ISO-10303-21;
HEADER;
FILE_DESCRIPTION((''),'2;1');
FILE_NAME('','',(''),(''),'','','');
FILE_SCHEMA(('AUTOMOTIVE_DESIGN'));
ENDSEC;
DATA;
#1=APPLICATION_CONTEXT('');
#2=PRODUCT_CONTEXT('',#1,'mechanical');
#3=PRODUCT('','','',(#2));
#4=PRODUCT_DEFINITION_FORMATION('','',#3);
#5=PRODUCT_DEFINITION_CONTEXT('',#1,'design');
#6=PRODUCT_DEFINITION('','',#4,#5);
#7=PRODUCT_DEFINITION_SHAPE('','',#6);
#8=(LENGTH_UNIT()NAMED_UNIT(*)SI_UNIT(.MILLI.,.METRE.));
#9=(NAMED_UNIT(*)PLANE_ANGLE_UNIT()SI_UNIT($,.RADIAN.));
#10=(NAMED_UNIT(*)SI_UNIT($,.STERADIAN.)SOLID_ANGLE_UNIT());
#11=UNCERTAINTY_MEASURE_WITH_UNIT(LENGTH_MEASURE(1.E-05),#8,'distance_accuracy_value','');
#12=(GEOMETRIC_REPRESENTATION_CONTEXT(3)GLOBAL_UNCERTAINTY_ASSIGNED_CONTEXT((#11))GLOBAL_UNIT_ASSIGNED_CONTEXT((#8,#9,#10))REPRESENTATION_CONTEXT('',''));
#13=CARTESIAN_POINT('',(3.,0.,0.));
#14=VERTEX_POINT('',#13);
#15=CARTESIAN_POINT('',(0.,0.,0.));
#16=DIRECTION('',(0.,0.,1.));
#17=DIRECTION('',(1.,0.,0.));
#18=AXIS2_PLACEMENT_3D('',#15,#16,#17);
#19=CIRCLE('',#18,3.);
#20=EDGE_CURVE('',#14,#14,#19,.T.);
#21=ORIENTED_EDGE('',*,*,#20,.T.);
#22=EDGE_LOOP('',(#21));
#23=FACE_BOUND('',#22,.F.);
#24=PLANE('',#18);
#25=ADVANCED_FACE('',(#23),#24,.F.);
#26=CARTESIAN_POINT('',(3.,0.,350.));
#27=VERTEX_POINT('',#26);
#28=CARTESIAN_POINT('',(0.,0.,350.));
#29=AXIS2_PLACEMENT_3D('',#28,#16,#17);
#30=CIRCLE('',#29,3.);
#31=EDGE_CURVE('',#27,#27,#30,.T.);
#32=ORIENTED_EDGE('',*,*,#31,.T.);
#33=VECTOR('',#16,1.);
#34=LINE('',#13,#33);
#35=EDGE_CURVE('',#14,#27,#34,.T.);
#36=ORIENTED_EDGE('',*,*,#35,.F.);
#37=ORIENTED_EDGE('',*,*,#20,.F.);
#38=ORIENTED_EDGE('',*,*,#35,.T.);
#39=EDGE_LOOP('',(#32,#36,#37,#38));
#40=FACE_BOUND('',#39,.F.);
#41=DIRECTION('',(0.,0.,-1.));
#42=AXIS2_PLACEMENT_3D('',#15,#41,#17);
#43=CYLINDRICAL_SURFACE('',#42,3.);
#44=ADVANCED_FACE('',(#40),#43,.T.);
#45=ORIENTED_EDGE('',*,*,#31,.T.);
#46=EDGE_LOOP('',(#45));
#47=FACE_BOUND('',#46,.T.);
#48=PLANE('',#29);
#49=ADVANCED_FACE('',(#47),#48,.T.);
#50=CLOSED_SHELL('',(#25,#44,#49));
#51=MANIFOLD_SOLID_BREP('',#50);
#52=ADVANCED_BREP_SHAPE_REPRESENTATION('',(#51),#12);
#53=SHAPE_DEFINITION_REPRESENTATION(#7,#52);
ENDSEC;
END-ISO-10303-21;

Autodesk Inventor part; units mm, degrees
ref_plane "YZ Plane" through (0, 0, 0) normal (1, 0, 0) x (0, 1, 0)
ref_plane "XZ Plane" through (0, 0, 0) normal (0, 1, 0) x (-1, 0, 0)
ref_plane "XY Plane" through (0, 0, 0) normal (0, 0, 1) x (1, 0, 0)
sketch "Sketch1" plane through (0, 0, 0) normal (0, 0, 1) x (1, 0, 0)
  circle A0 centre (0, 0) radius 3
  dimension "d0" = 6
extrude "Extrusion1" add sketch "Sketch1" along normal blind 350
thread "Thread1" size "M6x1" class "6g" standard "ANSI Metric M Profile" full length
properties part number "M6SS" material "Steel"
